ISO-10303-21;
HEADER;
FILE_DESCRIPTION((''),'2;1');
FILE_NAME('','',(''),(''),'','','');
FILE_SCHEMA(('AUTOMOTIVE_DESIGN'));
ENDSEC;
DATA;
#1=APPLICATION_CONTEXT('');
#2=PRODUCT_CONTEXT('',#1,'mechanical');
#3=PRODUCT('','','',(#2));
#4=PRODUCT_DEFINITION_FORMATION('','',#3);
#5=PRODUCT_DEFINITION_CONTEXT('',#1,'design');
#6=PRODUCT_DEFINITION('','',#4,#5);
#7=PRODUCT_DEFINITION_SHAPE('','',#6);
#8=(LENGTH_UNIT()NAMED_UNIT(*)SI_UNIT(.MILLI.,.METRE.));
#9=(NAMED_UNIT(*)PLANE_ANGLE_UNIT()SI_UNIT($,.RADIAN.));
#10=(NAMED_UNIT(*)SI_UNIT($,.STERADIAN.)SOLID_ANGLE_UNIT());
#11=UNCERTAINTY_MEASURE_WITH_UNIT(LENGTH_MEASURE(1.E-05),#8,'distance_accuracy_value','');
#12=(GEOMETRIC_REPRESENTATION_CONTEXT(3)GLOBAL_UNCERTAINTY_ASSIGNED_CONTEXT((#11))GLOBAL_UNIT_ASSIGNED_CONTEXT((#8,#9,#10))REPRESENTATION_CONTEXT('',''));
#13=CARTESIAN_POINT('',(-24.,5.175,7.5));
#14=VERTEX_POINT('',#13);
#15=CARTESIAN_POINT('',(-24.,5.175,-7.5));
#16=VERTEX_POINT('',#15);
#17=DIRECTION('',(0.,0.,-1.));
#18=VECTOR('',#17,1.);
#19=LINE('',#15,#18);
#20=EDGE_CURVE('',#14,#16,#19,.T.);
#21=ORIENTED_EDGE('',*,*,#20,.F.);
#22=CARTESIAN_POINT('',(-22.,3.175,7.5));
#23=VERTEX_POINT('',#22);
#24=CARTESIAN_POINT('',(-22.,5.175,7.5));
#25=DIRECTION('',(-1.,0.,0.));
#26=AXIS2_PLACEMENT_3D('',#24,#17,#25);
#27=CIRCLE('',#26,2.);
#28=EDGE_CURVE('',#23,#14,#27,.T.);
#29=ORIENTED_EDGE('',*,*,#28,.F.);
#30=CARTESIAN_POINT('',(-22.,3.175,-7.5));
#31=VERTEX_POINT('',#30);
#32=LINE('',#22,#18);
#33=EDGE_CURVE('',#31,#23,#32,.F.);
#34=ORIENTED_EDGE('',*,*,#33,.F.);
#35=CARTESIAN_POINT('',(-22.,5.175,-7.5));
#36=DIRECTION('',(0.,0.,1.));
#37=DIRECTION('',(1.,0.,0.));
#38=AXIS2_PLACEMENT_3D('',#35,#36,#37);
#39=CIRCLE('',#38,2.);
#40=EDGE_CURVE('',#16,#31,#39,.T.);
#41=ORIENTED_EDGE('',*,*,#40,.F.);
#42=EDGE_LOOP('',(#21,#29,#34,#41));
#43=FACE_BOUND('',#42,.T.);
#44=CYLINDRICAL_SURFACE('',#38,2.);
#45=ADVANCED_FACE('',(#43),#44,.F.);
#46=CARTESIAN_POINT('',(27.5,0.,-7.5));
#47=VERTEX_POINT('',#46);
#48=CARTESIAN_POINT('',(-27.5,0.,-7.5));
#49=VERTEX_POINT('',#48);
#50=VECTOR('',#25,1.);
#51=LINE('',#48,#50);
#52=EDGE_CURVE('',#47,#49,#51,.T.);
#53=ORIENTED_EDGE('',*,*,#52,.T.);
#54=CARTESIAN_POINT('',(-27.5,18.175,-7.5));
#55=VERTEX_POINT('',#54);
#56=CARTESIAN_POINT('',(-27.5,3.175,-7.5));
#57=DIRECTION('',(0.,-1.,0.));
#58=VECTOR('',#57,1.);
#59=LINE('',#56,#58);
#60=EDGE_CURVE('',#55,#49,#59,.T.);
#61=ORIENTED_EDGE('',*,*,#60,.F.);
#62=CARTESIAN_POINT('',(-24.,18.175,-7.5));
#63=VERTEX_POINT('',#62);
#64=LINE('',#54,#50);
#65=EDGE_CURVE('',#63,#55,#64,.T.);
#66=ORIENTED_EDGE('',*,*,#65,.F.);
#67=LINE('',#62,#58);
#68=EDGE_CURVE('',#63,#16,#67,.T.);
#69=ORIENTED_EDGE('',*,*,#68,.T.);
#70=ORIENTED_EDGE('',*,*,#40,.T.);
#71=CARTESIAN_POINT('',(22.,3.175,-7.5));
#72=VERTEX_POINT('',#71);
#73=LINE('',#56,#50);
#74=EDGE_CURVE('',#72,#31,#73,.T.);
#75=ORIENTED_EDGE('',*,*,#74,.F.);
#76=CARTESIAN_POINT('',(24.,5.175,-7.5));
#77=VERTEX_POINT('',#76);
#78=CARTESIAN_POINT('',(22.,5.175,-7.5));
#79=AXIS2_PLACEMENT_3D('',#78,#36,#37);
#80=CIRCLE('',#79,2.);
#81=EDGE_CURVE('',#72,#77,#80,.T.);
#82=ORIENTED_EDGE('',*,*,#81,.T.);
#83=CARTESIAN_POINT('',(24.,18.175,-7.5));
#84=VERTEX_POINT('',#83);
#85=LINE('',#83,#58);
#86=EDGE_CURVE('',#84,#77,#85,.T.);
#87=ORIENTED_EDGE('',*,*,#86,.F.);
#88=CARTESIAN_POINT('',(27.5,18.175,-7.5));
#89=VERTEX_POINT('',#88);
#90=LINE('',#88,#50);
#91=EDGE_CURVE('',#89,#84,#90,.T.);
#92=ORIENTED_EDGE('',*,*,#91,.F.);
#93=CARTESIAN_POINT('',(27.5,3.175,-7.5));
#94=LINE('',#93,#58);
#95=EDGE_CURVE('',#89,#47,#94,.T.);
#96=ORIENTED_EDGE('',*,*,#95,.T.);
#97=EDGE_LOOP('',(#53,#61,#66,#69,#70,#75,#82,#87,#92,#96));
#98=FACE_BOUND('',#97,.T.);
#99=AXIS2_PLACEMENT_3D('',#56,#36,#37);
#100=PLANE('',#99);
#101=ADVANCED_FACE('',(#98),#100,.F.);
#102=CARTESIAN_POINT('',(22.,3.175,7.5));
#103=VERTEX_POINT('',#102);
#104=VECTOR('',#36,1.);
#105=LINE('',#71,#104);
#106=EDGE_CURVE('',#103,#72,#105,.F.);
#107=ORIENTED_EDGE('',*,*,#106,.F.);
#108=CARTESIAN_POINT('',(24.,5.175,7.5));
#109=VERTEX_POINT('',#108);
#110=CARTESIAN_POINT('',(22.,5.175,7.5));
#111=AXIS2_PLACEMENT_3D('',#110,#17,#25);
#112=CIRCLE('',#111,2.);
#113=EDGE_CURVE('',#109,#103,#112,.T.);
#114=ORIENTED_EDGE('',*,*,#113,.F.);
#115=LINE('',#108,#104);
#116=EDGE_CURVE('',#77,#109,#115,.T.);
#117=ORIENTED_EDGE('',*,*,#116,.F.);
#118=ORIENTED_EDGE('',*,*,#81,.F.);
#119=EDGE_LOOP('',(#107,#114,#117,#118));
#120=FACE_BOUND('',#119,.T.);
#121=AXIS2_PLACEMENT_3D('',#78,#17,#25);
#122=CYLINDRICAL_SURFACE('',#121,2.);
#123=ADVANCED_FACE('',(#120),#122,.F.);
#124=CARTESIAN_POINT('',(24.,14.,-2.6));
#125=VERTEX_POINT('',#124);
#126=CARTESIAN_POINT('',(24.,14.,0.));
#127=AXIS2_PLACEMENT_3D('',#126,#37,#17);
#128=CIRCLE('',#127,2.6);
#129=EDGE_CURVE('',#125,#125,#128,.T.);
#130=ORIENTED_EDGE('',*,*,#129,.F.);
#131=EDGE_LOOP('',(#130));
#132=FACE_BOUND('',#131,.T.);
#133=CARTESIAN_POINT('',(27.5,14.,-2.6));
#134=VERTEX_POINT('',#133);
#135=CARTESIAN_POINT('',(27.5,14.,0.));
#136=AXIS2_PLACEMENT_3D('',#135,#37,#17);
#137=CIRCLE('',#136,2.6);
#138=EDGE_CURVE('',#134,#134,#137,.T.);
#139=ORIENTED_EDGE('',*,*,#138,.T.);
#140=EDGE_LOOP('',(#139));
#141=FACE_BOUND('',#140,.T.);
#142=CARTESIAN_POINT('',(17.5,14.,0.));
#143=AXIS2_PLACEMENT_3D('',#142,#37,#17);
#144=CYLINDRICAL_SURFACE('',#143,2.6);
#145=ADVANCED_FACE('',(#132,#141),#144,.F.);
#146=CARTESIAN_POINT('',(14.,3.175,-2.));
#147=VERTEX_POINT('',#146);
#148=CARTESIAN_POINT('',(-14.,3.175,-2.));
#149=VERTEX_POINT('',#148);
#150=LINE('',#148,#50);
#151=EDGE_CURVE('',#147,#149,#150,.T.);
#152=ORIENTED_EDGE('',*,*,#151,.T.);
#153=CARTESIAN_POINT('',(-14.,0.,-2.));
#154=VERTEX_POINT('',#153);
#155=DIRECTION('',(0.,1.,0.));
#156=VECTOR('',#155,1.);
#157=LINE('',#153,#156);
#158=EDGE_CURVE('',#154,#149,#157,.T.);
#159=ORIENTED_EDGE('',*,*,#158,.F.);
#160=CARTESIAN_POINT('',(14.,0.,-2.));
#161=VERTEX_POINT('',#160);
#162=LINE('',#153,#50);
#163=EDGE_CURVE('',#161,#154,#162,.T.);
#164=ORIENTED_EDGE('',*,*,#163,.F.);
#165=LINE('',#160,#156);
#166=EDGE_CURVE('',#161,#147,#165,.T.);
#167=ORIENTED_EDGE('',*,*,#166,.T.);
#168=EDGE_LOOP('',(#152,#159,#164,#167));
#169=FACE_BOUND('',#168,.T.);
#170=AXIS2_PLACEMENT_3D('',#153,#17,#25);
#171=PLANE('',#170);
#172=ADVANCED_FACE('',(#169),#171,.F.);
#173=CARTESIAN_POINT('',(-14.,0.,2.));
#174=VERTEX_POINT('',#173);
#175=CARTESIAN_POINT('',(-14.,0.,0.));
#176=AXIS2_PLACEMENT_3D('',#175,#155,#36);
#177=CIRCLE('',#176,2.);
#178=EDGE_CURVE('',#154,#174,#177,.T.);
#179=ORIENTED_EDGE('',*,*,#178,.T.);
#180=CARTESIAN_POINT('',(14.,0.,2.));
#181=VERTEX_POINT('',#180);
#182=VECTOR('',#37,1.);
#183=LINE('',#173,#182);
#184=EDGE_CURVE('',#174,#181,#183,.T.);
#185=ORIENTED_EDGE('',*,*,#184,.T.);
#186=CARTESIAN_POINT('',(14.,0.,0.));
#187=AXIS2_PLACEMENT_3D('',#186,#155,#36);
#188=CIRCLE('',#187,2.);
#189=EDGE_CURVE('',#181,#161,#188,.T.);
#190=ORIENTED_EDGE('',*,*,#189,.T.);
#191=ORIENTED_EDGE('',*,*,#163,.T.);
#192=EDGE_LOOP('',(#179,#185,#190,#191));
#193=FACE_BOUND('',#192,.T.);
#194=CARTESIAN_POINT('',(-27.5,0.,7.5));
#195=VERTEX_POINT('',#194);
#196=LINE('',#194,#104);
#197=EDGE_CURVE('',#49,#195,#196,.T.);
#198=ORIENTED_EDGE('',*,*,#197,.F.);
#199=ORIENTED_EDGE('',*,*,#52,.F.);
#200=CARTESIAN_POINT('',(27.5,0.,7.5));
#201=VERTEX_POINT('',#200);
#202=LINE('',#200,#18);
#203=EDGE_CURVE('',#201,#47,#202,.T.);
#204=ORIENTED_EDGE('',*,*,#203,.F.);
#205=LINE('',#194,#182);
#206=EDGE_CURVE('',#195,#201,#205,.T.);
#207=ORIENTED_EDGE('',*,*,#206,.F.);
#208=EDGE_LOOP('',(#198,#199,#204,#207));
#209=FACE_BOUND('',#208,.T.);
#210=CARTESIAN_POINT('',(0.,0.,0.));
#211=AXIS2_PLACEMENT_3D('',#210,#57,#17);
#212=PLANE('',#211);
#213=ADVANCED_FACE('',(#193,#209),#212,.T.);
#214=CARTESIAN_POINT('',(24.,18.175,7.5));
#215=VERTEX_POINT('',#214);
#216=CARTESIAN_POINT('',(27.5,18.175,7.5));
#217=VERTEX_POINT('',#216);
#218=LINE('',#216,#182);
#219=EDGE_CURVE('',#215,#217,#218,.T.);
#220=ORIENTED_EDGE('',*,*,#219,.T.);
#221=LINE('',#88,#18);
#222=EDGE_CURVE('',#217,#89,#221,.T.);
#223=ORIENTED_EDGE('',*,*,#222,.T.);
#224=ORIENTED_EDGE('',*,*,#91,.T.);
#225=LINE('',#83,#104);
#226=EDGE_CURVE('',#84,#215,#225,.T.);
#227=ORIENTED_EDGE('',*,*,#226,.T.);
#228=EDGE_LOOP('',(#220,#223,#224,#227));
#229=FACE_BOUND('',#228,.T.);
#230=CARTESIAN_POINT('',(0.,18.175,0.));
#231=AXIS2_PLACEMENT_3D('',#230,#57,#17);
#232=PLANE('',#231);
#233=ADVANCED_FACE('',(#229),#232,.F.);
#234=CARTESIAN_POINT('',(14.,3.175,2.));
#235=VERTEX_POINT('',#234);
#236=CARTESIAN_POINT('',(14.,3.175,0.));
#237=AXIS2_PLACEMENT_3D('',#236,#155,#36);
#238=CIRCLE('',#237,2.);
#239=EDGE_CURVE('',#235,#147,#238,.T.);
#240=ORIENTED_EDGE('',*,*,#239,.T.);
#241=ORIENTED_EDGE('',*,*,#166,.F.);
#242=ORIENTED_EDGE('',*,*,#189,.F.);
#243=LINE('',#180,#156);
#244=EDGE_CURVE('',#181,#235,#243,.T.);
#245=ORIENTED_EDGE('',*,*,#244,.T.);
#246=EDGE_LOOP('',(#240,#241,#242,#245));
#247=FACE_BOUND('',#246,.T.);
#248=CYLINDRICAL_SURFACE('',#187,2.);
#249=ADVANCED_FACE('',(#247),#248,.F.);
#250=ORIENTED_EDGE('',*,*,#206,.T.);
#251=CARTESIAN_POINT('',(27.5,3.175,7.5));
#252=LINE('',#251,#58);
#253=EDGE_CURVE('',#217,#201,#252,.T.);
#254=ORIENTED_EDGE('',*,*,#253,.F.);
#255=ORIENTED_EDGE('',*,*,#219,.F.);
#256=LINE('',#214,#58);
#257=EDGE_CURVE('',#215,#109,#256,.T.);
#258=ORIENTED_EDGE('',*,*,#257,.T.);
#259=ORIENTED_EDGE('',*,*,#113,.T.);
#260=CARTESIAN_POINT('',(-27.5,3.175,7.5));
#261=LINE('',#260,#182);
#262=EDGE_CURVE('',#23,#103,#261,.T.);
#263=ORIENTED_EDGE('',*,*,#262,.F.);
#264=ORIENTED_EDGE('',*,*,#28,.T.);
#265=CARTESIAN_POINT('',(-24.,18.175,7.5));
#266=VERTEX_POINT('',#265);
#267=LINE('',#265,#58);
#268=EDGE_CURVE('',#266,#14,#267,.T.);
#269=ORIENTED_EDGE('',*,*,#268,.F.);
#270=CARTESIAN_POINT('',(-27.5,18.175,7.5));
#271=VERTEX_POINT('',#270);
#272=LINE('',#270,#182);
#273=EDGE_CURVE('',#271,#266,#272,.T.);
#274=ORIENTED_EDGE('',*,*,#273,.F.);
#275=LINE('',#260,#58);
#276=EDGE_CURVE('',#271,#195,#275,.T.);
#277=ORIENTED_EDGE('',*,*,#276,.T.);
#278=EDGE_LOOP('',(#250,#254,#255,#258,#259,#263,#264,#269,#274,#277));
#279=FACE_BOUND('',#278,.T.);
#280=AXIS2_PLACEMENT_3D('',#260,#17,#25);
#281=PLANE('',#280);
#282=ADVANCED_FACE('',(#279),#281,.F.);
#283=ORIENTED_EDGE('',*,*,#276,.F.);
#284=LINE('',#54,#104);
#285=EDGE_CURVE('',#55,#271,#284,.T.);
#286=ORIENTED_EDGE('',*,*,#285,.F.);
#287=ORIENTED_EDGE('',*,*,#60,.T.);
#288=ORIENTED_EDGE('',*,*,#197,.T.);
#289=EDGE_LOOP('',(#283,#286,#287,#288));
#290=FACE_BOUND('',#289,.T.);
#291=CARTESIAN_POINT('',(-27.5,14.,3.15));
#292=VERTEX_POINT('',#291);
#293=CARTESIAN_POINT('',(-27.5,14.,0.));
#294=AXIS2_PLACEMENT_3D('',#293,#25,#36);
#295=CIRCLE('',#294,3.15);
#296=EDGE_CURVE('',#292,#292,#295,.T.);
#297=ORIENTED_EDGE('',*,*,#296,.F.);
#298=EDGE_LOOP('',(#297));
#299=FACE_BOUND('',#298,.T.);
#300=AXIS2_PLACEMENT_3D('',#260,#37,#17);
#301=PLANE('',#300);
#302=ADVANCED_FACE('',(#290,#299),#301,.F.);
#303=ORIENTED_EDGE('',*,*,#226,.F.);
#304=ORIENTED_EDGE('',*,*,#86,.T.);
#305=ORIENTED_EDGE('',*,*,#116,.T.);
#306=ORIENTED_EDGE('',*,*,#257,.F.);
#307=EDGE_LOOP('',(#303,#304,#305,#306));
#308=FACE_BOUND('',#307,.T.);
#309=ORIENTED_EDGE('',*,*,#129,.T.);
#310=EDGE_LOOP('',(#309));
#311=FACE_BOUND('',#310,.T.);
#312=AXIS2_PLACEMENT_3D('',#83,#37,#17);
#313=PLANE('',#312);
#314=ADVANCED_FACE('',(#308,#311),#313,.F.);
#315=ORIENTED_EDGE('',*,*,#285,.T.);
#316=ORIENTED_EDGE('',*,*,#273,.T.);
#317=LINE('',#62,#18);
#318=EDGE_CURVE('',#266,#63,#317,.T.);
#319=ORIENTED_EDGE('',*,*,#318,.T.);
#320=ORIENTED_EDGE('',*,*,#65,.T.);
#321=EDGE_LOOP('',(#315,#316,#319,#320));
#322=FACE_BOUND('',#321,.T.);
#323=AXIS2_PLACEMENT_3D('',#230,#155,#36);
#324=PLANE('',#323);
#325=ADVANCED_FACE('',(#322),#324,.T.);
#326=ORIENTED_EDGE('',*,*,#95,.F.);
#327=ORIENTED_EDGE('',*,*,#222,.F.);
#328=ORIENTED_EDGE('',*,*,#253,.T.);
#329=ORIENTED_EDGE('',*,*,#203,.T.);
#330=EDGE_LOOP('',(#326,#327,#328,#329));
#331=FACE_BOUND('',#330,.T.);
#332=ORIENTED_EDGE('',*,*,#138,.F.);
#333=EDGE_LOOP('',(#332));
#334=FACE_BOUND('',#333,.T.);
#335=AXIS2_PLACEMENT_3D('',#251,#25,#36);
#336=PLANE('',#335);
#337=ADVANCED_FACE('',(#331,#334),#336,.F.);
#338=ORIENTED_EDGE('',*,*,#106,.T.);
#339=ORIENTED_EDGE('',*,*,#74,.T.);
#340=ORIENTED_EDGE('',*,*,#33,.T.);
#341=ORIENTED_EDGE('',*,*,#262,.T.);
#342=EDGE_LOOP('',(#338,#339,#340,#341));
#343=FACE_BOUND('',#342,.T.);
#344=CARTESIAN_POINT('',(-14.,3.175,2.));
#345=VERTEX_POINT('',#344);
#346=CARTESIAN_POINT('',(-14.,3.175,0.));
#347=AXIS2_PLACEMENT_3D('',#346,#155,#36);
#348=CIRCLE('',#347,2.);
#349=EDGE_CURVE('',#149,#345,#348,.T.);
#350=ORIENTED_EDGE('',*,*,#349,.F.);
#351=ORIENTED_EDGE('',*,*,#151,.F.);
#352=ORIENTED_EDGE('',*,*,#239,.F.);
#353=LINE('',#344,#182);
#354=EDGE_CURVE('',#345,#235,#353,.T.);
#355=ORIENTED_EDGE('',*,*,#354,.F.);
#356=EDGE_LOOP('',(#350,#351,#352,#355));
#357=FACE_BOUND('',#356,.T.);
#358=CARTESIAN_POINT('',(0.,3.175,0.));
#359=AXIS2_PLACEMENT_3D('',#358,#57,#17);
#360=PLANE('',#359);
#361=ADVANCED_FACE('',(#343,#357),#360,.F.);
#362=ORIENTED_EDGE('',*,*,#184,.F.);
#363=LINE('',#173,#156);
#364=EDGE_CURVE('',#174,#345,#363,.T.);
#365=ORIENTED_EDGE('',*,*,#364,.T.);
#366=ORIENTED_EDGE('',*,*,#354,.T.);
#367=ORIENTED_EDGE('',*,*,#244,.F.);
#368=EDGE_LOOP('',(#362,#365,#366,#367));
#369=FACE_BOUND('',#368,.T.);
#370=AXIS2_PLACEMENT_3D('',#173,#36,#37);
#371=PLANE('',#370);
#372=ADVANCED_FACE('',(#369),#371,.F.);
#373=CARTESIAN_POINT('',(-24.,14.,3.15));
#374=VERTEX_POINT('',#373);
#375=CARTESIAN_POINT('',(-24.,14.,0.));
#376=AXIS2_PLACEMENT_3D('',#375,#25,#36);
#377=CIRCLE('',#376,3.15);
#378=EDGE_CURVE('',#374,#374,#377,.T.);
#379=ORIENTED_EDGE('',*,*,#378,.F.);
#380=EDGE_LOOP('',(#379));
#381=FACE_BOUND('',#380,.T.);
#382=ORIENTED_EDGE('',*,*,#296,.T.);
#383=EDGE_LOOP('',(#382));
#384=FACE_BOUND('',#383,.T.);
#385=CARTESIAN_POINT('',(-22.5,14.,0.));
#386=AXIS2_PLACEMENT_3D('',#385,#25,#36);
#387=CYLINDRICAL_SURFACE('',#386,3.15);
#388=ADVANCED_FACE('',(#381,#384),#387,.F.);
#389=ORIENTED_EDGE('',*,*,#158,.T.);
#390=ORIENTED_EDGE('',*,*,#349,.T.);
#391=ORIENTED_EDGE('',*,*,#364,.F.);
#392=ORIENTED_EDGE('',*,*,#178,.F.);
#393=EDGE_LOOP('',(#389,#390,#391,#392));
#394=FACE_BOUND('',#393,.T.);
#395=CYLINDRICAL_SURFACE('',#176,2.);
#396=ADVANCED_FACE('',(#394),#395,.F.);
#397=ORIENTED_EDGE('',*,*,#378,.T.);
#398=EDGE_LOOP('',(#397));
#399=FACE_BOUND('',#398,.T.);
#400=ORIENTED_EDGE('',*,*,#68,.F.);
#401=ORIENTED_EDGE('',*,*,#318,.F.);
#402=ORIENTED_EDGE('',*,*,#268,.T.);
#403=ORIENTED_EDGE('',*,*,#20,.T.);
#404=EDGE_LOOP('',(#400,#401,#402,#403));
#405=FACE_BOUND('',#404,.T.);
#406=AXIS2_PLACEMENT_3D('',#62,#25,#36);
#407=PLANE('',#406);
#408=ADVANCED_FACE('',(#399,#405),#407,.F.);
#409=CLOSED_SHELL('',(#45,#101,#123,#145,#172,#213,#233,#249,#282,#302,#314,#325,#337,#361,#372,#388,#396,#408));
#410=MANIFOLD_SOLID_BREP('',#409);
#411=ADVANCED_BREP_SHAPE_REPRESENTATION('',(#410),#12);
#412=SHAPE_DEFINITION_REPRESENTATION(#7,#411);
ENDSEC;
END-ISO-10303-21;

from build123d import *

# Parameters (mm, degrees)
SKETCH1_W           = 55
SKETCH1_H           = 15
BOSS_EXTRUDE1_DEPTH = 3.175
SKETCH2_W           = 3.5
SKETCH2_H           = 15
BOSS_EXTRUDE2_DEPTH = 15
FILLET1_R           = 2
CUT_EXTRUDE1_DEPTH  = 33.210246817
SKETCH4_R           = 2.6
CUT_EXTRUDE2_DEPTH  = 10
SKETCH5_R           = 3.15
CUT_EXTRUDE3_DEPTH  = 5


with BuildPart() as part:
    # Sketch1 → Boss-Extrude1 (new body)
    with BuildSketch(Plane(origin=(0, 0, 0), x_dir=(1, 0, 0), z_dir=(0, 1, 0))):
        Rectangle(SKETCH1_W, SKETCH1_H)
    extrude(amount=BOSS_EXTRUDE1_DEPTH)

    # Sketch2 → Boss-Extrude2 (add)
    with BuildSketch(Plane(origin=(0, 3.175, 0), x_dir=(1, 0, 0), z_dir=(0, 1, 0))):
        with Locations((-25.75, 0)):
            Rectangle(SKETCH2_W, SKETCH2_H)
        with Locations((25.75, 0)):
            Rectangle(SKETCH2_W, SKETCH2_H)
    extrude(amount=BOSS_EXTRUDE2_DEPTH)

    # Fillet1
    fillet1_edges = [part.edges().sort_by_distance(p)[0] for p in [
        (-24, 3.175, 0),
        (24, 3.175, 0),
    ]]
    fillet(fillet1_edges, radius=FILLET1_R)

    # Sketch3 → Cut-Extrude1 (cut, through all)
    with BuildSketch(Plane(origin=(0, 3.175, 0), x_dir=(1, 0, 0), z_dir=(0, 1, 0))):
        with BuildLine():
            Line((-14, 2), (14, 2))
            ThreePointArc((14, 2), (16, 0), (14, -2))
            Line((14, -2), (-14, -2))
            ThreePointArc((-14, -2), (-16, 0), (-14, 2))
        make_face()
    extrude(amount=-CUT_EXTRUDE1_DEPTH, mode=Mode.SUBTRACT)

    # Sketch4 → Cut-Extrude2 (cut)
    with BuildSketch(Plane(origin=(27.5, 0, 0), x_dir=(0, 0, -1), z_dir=(1, 0, 0))):
        with Locations((0, 14)):
            Circle(SKETCH4_R)
    extrude(amount=-CUT_EXTRUDE2_DEPTH, mode=Mode.SUBTRACT)

    # Sketch5 → Cut-Extrude3 (cut)
    with BuildSketch(Plane.ZY.offset(27.5)):
        with Locations((0, 14)):
            Circle(SKETCH5_R)
    extrude(amount=-CUT_EXTRUDE3_DEPTH, mode=Mode.SUBTRACT)


solid = part.part
